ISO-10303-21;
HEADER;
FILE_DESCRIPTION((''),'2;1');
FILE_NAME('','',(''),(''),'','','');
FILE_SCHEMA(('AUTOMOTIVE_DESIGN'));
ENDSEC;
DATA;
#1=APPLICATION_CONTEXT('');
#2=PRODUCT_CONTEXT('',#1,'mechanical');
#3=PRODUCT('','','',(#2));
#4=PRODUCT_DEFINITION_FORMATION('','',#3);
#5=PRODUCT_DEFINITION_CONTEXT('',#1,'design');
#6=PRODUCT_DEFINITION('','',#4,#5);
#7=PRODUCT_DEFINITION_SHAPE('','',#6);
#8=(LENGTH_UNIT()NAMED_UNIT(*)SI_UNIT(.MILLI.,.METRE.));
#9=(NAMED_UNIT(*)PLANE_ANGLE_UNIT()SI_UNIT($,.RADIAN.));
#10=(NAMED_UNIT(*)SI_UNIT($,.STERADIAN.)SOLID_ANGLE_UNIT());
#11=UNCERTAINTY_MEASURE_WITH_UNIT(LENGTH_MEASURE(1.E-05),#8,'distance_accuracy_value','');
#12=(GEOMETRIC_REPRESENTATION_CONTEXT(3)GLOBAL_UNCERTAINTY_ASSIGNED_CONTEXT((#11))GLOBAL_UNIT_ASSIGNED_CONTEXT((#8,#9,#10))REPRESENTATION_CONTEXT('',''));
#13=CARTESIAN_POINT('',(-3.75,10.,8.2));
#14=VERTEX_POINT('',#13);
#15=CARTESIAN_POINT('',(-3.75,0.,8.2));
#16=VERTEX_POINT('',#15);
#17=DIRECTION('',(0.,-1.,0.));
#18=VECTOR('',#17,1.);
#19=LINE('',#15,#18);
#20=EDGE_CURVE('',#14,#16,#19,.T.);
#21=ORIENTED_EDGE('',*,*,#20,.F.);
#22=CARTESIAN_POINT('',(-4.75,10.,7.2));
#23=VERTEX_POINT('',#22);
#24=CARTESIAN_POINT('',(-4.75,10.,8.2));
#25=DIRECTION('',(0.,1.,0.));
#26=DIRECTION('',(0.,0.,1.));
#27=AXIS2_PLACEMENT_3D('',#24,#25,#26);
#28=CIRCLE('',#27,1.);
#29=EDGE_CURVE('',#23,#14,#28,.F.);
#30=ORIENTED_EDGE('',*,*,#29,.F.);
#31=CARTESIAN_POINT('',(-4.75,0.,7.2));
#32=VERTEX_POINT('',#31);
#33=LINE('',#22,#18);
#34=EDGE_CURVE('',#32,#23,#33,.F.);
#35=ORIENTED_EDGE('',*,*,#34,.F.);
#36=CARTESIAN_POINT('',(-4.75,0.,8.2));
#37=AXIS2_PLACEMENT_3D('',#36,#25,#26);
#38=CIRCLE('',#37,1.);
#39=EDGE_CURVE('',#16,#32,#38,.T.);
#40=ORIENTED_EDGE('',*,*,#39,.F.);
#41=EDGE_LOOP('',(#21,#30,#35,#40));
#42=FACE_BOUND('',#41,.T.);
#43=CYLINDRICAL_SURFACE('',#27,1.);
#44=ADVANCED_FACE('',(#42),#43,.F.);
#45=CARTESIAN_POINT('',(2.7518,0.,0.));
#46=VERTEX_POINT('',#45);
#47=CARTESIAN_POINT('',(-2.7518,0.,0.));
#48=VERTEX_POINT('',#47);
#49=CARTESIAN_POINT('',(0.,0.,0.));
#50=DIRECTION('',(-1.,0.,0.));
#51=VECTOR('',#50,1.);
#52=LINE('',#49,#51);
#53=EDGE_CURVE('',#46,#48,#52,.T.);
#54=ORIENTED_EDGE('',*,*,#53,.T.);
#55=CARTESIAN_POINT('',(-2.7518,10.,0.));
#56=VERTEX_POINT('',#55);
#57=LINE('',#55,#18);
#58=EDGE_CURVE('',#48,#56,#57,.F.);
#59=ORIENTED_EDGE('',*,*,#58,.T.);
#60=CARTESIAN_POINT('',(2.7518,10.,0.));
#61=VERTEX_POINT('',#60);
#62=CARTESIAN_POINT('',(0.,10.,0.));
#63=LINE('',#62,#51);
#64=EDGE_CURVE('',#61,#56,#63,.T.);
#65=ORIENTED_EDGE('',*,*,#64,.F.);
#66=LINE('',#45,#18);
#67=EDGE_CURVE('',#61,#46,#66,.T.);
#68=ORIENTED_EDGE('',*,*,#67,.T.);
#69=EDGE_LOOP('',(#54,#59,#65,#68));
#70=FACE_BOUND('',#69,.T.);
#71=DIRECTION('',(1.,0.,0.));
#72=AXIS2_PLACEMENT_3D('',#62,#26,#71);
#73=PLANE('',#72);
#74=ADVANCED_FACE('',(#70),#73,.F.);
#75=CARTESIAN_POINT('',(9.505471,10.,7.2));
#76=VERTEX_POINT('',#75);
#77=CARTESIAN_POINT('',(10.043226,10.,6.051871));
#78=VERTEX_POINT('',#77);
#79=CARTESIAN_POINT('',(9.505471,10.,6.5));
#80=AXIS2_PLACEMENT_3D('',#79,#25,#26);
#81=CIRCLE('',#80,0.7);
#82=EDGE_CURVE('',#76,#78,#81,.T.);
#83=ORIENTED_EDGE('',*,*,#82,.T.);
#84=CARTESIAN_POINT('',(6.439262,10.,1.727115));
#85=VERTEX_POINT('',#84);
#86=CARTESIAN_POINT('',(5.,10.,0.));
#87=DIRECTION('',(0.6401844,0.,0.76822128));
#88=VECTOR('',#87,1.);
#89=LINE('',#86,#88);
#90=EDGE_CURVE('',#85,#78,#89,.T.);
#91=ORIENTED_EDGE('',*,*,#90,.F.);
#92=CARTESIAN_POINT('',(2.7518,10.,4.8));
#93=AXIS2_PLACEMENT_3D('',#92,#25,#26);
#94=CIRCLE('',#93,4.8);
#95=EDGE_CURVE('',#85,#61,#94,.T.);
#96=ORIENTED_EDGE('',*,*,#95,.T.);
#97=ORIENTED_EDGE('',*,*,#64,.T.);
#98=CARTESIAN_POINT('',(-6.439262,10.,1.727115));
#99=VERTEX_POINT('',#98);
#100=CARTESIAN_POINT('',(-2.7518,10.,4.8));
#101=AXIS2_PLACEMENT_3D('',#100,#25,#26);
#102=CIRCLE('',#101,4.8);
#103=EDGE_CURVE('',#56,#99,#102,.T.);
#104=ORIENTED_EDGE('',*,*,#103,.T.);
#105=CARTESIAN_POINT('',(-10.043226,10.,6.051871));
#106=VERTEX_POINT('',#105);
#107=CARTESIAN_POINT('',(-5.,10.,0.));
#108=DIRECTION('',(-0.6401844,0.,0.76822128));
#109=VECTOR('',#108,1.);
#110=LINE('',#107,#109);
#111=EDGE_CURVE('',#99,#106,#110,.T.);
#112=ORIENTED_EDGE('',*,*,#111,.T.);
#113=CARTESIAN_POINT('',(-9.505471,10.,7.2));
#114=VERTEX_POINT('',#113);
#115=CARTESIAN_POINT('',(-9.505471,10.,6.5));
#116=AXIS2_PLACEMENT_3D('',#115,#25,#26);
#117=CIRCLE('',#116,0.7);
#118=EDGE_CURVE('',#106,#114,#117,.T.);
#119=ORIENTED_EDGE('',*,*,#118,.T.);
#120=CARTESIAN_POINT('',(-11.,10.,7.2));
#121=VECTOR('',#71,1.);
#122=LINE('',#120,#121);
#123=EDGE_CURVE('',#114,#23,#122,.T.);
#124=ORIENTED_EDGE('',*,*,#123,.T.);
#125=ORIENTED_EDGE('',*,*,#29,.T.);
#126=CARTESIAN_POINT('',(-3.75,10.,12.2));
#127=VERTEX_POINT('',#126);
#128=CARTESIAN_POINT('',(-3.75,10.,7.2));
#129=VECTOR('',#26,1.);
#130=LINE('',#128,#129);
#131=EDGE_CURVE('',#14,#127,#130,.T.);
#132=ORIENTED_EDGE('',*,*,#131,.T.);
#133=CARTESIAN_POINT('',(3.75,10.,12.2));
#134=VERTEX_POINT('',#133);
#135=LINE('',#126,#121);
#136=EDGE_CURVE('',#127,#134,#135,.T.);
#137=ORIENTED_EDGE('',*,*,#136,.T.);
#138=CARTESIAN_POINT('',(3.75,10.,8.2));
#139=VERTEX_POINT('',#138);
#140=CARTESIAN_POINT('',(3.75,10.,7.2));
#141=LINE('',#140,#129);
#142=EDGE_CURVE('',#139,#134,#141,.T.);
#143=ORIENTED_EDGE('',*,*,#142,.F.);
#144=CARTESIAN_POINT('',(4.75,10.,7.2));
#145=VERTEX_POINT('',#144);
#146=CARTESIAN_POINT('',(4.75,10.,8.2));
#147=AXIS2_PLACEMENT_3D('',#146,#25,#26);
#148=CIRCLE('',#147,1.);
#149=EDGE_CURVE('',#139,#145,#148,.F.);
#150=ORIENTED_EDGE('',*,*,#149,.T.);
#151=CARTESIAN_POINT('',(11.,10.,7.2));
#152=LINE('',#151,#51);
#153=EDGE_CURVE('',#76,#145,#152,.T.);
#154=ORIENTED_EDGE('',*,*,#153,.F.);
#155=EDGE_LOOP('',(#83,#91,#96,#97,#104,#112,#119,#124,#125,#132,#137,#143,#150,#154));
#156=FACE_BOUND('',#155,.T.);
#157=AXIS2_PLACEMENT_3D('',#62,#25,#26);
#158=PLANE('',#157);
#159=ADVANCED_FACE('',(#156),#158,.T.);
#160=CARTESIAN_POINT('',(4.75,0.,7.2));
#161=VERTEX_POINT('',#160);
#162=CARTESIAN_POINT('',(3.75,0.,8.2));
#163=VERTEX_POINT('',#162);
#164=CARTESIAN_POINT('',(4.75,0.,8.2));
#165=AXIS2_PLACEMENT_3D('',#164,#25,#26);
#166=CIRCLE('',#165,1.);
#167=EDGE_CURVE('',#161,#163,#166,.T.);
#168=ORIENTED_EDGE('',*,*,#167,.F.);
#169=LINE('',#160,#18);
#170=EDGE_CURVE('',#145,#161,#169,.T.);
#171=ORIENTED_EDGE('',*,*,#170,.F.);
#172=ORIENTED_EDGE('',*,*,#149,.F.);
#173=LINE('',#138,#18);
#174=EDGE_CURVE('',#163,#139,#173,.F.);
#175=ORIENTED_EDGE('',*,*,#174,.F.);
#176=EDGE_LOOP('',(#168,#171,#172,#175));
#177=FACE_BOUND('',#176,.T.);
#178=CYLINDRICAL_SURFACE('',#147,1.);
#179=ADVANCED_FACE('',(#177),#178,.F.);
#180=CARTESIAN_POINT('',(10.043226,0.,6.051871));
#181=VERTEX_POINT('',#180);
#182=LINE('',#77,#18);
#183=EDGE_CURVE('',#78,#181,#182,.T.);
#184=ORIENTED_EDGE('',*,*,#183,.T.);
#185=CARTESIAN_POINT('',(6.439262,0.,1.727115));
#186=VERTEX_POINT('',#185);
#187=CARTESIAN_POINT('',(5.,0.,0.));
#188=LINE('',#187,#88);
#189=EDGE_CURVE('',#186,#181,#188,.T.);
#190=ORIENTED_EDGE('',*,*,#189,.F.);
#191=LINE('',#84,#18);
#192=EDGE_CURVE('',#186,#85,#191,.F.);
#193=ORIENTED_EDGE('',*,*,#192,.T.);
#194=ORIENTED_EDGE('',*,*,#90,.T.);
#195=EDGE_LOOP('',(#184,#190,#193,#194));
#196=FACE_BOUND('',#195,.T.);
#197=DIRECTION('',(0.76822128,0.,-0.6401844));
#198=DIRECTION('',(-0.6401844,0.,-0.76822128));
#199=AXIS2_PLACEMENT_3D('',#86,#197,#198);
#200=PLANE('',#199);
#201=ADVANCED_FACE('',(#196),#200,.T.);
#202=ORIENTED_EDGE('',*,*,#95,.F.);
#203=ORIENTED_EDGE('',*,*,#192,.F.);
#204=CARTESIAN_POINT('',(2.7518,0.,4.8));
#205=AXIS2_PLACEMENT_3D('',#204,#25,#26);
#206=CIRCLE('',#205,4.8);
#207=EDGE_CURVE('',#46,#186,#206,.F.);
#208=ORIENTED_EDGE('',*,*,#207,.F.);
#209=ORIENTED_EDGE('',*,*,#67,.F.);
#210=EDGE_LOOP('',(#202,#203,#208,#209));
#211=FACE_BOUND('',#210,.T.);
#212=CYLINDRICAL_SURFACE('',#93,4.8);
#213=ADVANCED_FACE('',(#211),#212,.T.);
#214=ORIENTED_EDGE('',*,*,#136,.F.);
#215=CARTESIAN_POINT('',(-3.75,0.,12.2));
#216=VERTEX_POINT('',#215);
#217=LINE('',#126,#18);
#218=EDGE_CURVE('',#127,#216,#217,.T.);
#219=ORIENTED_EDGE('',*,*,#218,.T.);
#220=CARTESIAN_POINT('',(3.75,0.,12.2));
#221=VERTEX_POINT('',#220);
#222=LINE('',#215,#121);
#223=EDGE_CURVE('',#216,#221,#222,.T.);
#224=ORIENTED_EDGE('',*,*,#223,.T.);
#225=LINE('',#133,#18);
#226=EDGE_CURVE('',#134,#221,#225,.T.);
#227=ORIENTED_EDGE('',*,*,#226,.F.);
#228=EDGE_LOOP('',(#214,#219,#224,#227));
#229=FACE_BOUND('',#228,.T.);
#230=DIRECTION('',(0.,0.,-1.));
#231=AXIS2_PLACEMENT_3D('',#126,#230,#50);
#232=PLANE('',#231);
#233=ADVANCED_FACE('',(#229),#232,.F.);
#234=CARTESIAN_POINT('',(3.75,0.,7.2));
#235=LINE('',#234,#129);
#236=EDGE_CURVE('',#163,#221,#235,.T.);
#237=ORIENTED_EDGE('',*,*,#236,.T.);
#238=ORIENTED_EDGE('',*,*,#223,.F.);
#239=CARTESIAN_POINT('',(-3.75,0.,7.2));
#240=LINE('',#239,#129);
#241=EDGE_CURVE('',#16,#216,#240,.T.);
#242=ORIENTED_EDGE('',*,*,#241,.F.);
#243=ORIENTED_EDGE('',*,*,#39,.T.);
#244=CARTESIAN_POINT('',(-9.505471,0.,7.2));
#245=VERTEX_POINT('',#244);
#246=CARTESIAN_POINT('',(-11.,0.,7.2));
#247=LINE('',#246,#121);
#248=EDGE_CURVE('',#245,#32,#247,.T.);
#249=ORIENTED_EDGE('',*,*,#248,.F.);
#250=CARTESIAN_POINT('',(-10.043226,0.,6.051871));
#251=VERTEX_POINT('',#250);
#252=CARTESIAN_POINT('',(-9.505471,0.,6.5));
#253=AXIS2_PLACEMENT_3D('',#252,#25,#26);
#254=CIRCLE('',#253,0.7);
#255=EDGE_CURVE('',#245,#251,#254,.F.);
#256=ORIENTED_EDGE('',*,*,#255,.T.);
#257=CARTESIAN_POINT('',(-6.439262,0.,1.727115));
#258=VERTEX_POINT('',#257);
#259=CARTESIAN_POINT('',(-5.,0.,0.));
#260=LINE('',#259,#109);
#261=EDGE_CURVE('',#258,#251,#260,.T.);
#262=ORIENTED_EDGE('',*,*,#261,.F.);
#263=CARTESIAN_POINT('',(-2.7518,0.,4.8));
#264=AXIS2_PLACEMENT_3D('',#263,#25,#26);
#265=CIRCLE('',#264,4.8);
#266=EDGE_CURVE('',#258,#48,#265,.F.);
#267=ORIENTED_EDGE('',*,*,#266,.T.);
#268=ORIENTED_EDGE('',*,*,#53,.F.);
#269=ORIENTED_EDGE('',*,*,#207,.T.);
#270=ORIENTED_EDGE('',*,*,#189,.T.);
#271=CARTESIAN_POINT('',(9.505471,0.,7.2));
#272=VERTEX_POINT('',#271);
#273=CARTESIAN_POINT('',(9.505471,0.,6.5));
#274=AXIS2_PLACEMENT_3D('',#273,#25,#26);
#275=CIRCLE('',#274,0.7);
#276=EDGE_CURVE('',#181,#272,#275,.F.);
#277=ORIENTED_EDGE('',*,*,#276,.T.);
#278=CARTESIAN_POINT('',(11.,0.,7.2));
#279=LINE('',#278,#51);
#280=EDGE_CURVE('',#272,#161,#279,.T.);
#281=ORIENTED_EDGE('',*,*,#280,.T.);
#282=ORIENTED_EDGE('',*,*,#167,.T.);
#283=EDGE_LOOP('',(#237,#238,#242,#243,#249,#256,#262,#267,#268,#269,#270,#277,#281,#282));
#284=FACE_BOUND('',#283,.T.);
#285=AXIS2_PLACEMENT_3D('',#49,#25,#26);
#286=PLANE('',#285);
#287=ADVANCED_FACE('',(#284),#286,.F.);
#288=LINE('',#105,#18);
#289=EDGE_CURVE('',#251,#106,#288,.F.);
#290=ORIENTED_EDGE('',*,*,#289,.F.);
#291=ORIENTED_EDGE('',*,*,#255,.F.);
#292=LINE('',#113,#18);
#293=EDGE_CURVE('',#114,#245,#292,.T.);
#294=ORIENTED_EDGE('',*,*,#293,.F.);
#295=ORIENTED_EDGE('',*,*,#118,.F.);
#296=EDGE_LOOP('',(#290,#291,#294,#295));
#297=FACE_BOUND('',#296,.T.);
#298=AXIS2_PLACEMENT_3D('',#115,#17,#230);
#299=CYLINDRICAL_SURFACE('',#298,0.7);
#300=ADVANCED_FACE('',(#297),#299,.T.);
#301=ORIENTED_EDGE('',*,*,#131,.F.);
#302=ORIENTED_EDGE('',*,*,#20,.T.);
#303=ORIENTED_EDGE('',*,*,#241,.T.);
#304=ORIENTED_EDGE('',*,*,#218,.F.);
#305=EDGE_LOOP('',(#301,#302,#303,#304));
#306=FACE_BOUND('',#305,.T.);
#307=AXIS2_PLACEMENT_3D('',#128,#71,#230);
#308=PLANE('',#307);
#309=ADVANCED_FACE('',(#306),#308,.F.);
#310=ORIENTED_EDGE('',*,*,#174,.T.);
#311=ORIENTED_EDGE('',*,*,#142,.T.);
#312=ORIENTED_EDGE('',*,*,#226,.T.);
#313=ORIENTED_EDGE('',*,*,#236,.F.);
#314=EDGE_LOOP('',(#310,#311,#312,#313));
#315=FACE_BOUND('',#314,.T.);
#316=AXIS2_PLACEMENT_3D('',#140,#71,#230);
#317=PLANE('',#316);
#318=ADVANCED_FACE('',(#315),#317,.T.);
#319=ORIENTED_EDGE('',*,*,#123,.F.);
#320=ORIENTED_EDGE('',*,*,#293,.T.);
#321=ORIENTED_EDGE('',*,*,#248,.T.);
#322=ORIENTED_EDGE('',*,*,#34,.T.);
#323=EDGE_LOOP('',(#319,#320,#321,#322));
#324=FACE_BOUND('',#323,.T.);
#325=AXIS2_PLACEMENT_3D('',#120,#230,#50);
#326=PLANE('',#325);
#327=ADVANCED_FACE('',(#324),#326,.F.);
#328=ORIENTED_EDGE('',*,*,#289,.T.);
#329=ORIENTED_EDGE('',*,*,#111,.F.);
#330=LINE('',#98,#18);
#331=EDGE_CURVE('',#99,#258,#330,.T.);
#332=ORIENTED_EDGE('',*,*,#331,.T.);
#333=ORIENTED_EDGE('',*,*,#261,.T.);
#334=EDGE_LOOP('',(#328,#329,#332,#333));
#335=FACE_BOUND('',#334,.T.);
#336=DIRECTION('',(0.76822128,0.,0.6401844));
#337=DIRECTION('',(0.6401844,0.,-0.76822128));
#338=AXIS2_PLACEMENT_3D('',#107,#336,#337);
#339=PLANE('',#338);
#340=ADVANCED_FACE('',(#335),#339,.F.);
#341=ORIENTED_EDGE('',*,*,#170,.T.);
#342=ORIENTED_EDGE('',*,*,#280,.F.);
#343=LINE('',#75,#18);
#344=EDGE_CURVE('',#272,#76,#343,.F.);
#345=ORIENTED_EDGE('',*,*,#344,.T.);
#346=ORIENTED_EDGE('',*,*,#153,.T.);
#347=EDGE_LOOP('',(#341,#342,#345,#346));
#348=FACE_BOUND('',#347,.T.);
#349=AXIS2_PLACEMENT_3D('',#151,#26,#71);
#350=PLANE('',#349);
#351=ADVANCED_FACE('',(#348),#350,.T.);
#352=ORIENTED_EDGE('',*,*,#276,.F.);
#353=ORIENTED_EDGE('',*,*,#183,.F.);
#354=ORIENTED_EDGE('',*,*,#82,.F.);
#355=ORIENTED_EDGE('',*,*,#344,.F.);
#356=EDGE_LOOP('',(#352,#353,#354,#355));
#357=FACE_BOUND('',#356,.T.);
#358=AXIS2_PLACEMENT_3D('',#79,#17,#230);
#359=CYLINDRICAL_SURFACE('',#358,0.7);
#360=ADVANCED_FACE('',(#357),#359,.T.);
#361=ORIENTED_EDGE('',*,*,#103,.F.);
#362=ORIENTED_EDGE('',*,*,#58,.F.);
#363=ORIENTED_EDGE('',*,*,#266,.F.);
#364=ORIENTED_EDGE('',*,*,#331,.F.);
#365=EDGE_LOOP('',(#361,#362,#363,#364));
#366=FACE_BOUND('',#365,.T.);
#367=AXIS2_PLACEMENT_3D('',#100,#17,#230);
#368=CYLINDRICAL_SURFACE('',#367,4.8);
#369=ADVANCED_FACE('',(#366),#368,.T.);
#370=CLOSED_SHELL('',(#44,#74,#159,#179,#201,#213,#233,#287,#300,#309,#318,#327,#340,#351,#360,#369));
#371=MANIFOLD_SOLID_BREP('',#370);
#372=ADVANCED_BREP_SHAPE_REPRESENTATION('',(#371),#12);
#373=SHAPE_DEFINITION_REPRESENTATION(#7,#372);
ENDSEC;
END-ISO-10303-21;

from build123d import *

# Parameters (mm, degrees)
BOSS_EXTRUDE1_DEPTH  = 10
FILLET1_R            = 0.7
FILLET2_R            = 1
FILLET1_OF_MIRROR1_R = 0.7
FILLET2_OF_MIRROR1_R = 1
FILLET3_R            = 4.8


with BuildPart() as part:
    # Sketch1 → Boss-Extrude1 (new body)
    with BuildSketch(Plane(origin=(0, 0, 0), x_dir=(1, 0, 0), z_dir=(0, 1, 0))):
        Polygon((0, 0), (-5, 0), (-11, -7.2), (-3.75, -7.2), (-3.75, -12.2), (0, -12.2), align=None)
    boss_extrude1 = extrude(amount=BOSS_EXTRUDE1_DEPTH)

    # Fillet1
    fillet1_edges = [part.edges().sort_by_distance(p)[0] for p in [
        (-11, 5, 7.2),
    ]]
    fillet(fillet1_edges, radius=FILLET1_R)

    # Fillet2
    fillet2_edges = [part.edges().sort_by_distance(p)[0] for p in [
        (-3.75, 5, 7.2),
    ]]
    fillet(fillet2_edges, radius=FILLET2_R)

    # Mirror1: Boss-Extrude1 across plane
    add(boss_extrude1.mirror(Plane(origin=(0, 10, 12.2), x_dir=(0, 0, 1), z_dir=(-1, 0, 0))))

    # Fillet1 of Mirror1
    fillet1_of_mirror1_edges = [part.edges().sort_by_distance(p)[0] for p in [
        (11, 5, 7.2),
    ]]
    fillet(fillet1_of_mirror1_edges, radius=FILLET1_OF_MIRROR1_R)

    # Fillet2 of Mirror1
    fillet2_of_mirror1_edges = [part.edges().sort_by_distance(p)[0] for p in [
        (3.75, 5, 7.2),
    ]]
    fillet(fillet2_of_mirror1_edges, radius=FILLET2_OF_MIRROR1_R)

    # Fillet3
    fillet3_edges = [part.edges().sort_by_distance(p)[0] for p in [
        (-5, 5, 0),
        (5, 5, 0),
    ]]
    fillet(fillet3_edges, radius=FILLET3_R)


solid = part.part
